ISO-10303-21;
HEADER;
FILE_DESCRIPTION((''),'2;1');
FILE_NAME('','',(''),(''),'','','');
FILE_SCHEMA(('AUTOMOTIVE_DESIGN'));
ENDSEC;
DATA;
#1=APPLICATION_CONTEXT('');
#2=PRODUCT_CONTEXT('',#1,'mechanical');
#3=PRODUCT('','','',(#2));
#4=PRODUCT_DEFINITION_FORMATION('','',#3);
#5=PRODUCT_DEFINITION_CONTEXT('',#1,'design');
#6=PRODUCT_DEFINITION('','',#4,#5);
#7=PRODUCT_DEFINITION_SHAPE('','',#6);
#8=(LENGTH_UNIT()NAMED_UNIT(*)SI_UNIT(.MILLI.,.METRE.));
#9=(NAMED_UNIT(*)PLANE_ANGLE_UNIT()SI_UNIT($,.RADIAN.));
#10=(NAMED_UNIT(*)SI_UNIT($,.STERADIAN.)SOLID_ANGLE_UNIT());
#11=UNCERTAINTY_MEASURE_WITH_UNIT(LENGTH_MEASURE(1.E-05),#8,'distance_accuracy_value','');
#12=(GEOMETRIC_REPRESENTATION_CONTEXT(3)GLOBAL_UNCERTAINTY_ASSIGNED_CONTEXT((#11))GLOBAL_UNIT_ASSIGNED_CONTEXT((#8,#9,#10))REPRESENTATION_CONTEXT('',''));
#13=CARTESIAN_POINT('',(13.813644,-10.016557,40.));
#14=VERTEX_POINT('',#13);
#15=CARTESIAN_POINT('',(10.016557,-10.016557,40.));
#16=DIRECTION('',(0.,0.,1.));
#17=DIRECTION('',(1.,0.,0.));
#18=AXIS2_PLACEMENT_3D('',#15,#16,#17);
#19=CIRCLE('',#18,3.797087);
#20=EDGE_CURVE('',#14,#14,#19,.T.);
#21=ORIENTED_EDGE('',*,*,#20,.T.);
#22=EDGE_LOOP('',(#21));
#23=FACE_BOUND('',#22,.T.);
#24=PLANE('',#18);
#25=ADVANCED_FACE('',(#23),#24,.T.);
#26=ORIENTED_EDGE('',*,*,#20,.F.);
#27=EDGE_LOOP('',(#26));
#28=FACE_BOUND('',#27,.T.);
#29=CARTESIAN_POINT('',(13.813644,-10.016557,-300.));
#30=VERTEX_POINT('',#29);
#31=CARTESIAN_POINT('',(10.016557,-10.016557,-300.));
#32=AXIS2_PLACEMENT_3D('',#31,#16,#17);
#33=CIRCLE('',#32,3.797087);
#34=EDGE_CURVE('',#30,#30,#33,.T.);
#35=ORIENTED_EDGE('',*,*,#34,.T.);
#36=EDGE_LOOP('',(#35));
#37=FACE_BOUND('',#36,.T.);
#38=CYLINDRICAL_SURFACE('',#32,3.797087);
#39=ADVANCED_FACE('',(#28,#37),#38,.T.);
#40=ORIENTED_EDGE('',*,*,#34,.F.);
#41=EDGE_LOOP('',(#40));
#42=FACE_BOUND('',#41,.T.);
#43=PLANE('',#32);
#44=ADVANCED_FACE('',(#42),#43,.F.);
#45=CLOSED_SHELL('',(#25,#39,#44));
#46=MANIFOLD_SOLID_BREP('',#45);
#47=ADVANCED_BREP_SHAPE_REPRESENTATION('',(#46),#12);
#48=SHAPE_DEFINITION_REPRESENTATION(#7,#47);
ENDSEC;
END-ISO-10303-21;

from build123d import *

# Parameters (mm, degrees)
SKETCH1_R           = 3.7970867
BOSS_EXTRUDE1_DEPTH = 300
BOSS_EXTRUDE2_START = 40
SKETCH1_2_R         = 3.7970867
BOSS_EXTRUDE2_DEPTH = 40


with BuildPart() as part:
    # Sketch1 → Boss-Extrude1 (new body)
    with BuildSketch(Plane.XY):
        with Locations((10.016557459, -10.016557459)):
            Circle(SKETCH1_R)
    extrude(amount=-BOSS_EXTRUDE1_DEPTH)

    # Sketch1<2> → Boss-Extrude2 (add)
    with BuildSketch(Plane.XY.offset(BOSS_EXTRUDE2_START)):
        with Locations((10.016557459, -10.016557459)):
            Circle(SKETCH1_2_R)
    extrude(amount=-BOSS_EXTRUDE2_DEPTH)


solid = part.part
